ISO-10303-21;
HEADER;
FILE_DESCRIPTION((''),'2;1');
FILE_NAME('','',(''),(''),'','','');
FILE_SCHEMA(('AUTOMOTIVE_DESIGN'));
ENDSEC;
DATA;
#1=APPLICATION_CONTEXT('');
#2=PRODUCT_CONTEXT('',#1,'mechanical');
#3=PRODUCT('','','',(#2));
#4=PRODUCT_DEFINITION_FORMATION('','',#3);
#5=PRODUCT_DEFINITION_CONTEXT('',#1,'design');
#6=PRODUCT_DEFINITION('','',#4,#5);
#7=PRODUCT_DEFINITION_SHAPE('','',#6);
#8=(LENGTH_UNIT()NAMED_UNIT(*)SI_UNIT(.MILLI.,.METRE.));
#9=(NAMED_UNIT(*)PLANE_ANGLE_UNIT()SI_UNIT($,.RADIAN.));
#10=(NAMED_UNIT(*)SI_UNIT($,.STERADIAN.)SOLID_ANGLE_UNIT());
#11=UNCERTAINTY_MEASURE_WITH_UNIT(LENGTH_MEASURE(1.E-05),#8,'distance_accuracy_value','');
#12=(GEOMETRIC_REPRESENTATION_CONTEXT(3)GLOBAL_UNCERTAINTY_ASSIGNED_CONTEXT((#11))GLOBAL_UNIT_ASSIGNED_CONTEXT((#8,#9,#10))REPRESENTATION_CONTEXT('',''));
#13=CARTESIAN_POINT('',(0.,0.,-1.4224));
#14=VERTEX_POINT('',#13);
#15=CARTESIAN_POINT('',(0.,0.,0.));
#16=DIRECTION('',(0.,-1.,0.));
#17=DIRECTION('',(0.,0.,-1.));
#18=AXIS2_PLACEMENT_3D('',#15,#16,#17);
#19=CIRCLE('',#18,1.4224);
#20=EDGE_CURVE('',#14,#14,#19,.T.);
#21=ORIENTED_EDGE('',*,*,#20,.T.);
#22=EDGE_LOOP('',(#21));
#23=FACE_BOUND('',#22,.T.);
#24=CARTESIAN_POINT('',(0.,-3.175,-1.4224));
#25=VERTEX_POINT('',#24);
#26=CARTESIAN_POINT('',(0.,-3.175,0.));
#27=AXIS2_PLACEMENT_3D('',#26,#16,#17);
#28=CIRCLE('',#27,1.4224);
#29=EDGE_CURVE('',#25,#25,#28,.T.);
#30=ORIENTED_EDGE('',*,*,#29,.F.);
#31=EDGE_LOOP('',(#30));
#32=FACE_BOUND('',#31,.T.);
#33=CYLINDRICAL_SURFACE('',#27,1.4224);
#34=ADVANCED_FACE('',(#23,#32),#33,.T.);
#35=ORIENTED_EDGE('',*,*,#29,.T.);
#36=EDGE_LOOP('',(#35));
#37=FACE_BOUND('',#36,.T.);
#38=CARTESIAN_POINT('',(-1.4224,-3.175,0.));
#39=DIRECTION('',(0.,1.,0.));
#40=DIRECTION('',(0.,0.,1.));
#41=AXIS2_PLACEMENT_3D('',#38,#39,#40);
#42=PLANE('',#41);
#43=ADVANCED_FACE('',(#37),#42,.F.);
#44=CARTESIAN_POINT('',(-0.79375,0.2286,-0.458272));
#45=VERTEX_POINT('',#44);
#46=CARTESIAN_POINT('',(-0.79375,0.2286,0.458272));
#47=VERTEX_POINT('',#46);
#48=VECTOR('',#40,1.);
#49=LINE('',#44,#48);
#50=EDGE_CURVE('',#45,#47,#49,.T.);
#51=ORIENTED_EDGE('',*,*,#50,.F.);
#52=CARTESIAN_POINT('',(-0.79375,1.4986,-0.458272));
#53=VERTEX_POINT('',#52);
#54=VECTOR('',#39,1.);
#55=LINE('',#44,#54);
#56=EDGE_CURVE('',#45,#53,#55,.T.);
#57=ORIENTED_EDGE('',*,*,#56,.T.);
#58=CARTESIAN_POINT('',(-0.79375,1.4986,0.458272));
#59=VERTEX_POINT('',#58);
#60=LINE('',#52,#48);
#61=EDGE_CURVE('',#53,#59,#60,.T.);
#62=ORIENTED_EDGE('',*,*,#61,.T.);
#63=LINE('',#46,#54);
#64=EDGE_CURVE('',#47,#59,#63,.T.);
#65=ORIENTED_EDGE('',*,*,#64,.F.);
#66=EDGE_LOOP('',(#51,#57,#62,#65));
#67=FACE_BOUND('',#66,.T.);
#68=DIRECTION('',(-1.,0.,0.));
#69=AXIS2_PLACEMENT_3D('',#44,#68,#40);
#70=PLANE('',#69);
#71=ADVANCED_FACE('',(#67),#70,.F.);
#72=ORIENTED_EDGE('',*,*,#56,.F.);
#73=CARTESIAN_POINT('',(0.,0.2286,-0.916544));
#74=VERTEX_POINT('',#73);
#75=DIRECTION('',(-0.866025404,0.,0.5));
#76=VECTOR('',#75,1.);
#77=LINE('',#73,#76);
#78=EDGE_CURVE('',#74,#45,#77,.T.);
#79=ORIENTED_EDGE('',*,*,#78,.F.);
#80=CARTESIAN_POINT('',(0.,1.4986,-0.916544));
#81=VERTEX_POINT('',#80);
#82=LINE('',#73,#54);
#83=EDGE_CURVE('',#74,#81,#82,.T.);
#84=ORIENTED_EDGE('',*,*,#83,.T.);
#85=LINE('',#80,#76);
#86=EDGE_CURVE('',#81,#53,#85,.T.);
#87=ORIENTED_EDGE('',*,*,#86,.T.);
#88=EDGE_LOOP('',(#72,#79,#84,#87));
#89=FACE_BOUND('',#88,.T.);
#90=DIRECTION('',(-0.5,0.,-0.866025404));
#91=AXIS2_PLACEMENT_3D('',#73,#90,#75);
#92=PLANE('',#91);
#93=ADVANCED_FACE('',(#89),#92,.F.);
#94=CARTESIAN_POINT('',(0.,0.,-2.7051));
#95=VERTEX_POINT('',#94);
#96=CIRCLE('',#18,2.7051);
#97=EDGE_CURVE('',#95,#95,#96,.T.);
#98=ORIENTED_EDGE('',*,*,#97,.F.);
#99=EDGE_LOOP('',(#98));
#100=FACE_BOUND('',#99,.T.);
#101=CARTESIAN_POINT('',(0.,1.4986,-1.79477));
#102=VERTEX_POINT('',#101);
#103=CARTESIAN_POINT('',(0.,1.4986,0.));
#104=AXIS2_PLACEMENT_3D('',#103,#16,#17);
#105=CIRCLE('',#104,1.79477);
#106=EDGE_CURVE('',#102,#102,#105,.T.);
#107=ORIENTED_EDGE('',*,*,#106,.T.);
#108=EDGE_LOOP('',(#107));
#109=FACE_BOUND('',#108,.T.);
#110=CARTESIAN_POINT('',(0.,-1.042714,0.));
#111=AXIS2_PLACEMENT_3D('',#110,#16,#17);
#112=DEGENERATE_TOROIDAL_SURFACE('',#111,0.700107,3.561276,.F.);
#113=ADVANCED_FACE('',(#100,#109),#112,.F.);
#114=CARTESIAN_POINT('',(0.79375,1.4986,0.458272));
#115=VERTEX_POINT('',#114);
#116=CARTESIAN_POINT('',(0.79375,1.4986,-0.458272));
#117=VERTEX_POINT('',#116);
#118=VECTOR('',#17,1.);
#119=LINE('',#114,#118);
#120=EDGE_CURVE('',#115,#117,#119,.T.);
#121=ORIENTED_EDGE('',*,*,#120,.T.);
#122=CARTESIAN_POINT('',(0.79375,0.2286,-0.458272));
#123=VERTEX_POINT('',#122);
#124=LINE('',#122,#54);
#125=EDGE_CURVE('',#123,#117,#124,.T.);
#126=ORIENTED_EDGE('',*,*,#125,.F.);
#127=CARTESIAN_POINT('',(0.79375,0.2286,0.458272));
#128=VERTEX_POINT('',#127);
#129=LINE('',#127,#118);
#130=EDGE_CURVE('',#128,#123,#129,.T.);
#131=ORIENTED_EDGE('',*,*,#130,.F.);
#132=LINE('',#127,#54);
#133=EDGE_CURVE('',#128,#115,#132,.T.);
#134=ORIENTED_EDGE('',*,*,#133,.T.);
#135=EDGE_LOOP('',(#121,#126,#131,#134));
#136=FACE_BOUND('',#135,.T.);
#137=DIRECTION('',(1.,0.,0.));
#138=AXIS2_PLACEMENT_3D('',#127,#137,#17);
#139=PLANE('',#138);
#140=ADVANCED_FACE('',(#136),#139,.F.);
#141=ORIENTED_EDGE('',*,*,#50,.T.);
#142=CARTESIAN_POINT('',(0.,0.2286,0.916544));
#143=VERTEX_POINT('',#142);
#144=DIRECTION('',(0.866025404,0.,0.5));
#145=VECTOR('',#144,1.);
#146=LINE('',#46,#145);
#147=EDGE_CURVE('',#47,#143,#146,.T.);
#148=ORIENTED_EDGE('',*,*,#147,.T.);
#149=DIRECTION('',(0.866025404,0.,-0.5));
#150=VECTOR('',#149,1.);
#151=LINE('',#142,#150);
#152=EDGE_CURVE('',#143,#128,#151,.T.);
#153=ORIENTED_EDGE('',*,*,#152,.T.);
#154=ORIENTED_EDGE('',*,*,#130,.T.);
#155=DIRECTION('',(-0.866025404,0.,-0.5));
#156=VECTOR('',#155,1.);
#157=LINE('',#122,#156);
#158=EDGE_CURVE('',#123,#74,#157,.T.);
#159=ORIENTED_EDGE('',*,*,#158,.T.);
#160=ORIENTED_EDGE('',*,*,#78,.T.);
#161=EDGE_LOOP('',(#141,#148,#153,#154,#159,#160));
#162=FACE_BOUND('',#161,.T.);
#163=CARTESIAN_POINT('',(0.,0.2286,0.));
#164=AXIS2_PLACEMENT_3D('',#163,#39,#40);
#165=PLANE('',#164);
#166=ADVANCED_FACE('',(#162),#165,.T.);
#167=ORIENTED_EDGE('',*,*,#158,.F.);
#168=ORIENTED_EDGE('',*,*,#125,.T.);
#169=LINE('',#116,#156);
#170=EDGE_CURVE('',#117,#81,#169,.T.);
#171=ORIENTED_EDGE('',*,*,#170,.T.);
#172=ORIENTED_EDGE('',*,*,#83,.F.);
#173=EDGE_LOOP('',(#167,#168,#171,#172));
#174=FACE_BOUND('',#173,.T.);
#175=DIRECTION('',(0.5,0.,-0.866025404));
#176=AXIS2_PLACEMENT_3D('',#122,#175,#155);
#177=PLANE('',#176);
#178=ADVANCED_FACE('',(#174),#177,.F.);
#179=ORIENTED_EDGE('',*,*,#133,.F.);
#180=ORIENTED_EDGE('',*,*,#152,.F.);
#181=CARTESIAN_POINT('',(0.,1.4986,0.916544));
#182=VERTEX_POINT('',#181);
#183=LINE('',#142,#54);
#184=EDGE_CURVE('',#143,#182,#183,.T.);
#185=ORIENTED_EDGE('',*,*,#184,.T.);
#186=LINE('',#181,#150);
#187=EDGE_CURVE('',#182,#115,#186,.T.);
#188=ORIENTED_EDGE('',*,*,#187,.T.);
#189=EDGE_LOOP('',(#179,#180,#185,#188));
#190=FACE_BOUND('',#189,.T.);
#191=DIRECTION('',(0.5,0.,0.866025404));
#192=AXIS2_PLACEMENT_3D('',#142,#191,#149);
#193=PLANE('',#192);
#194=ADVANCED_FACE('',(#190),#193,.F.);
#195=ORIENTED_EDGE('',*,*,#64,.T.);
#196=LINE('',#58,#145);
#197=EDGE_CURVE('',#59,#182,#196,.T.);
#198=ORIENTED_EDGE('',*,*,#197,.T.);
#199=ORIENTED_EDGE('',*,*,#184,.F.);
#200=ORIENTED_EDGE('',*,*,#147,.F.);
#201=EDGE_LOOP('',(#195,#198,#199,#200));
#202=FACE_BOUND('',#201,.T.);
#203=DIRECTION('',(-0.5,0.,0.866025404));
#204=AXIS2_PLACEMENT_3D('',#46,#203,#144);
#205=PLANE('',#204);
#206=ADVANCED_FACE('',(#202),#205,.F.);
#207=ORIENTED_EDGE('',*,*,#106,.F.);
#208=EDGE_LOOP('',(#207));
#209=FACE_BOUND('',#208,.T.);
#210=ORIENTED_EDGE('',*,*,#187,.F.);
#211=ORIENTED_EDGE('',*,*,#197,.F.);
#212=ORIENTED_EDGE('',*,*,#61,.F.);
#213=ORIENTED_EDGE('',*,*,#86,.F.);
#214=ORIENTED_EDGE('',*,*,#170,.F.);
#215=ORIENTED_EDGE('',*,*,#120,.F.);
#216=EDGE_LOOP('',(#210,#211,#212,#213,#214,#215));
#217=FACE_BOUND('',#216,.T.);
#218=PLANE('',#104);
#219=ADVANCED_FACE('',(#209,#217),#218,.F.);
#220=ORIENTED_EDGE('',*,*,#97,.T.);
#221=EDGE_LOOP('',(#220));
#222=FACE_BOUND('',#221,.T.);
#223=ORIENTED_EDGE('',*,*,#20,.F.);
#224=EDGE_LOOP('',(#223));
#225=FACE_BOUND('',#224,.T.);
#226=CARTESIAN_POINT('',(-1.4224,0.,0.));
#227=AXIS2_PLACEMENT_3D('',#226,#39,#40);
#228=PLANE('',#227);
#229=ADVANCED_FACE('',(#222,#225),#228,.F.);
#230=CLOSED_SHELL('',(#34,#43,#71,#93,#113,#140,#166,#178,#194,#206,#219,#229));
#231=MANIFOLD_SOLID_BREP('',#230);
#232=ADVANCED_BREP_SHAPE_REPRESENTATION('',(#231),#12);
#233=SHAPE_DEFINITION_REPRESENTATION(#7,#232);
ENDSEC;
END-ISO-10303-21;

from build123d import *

# Parameters (mm, degrees)
CUT_EXTRUDE1_DEPTH = 1.27


with BuildPart() as part:
    # Sketch1 → Revolve1 (revolve)
    with BuildSketch(Plane.XY):
        with BuildLine():
            Line((-1.4224, 0), (-2.7051, 0))
            ThreePointArc((-2.7051, 0), (-2.343607569, 0.806201731), (-1.79477003, 1.4986))
            Line((-1.79477003, 1.4986), (0, 1.4986))
            Line((0, 1.4986), (0, -3.175))
            Line((0, -3.175), (-1.4224, -3.175))
            Line((-1.4224, -3.175), (-1.4224, 0))
        make_face()
    revolve(axis=Axis((0, -3.175, 0), (0, 1, 0)))

    # Sketch2 → Cut-Extrude1 (cut)
    with BuildSketch(Plane(origin=(0, 1.4986, 0), x_dir=(1, 0, 0), z_dir=(0, 1, 0))):
        Polygon((-0.79375, 0.458271776), (-0.79375, -0.458271776), (0, -0.916543552), (0.79375, -0.458271776), (0.79375, 0.458271776), (0, 0.916543552), align=None)
    extrude(amount=-CUT_EXTRUDE1_DEPTH, mode=Mode.SUBTRACT)


solid = part.part
